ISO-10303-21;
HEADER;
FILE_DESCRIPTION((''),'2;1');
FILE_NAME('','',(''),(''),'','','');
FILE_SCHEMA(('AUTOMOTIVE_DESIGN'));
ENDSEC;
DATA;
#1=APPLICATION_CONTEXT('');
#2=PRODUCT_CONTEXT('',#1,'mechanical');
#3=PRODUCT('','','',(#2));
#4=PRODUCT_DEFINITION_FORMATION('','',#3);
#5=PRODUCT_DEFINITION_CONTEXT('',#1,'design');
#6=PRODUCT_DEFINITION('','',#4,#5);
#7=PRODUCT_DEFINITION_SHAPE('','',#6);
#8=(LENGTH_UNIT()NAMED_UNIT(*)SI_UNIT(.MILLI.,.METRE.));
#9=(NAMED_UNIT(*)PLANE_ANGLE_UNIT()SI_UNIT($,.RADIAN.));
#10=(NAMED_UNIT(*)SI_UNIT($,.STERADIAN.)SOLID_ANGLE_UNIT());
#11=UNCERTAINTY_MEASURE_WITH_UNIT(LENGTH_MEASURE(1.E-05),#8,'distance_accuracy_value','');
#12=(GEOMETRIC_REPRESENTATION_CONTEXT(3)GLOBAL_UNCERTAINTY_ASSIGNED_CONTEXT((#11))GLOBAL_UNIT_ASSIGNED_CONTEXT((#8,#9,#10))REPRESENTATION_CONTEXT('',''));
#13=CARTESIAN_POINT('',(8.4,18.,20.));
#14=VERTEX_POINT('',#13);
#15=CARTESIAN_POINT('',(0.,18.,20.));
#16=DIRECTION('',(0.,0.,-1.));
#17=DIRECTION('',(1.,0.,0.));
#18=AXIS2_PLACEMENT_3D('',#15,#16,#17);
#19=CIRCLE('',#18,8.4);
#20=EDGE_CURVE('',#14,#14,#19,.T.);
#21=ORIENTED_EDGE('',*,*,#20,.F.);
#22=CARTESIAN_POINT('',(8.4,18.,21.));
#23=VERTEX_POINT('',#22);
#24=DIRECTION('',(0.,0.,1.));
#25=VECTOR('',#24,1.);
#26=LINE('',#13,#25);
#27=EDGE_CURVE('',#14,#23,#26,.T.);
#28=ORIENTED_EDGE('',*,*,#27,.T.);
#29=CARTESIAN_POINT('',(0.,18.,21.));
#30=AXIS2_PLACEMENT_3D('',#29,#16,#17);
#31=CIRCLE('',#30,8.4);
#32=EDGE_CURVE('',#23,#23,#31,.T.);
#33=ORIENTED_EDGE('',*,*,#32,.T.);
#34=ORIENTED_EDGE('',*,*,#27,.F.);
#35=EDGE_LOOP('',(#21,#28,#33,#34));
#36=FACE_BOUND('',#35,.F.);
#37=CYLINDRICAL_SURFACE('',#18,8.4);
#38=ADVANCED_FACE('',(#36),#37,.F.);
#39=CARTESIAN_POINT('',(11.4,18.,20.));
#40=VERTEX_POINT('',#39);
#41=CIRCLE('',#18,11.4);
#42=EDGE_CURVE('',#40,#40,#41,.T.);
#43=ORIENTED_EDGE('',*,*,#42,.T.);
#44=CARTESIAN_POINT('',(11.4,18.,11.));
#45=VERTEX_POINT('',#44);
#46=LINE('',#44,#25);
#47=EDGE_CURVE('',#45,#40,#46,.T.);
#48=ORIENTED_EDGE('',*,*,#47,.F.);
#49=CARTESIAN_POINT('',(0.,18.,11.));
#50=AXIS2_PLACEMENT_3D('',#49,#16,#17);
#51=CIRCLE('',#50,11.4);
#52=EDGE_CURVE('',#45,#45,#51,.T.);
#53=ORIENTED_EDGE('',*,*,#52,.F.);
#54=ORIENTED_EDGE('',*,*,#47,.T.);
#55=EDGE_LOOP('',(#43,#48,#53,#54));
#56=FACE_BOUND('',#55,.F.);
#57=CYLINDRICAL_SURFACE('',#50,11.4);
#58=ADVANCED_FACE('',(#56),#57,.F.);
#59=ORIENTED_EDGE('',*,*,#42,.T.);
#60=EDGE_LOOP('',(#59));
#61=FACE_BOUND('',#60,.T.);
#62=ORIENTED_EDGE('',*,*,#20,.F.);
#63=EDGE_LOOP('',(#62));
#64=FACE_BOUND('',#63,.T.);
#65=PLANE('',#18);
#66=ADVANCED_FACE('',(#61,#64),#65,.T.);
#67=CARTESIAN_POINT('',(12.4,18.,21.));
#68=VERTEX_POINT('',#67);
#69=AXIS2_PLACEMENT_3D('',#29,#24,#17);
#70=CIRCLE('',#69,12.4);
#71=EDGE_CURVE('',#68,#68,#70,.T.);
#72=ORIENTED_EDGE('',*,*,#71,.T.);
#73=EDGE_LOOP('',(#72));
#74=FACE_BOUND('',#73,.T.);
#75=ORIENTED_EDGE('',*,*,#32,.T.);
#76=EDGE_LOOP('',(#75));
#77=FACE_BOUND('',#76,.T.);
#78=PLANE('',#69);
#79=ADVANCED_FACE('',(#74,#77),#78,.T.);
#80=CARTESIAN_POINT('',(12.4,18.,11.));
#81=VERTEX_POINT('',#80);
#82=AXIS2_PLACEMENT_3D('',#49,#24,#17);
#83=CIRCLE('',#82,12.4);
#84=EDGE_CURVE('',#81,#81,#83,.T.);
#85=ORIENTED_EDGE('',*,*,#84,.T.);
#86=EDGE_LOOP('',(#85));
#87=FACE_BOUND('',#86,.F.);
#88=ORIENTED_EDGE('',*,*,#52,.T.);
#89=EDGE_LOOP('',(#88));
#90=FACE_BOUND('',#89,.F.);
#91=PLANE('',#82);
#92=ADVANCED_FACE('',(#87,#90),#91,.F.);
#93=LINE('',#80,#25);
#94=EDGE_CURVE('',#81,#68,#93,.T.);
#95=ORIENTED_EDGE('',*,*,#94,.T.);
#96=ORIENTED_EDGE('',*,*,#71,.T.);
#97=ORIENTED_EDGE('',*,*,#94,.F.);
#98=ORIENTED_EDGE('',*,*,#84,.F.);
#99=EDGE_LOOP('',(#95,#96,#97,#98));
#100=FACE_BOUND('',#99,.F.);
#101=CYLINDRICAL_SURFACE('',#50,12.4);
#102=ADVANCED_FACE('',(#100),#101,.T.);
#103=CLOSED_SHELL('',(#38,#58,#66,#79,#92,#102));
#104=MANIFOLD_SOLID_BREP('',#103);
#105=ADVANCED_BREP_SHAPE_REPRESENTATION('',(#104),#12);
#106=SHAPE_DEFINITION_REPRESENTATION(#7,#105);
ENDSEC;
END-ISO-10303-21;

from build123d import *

# Parameters (mm, degrees)
SKETCH032_R     = 12.4
PAD022_DEPTH    = 10
SKETCH033_R     = 11.4
POCKET009_DEPTH = 9
SKETCH034_R     = 8.4
POCKET010_DEPTH = 5


with BuildPart() as part:
    # Sketch032 → Pad022 (new body)
    with BuildSketch(Plane.XY):
        with Locations((0, 18)):
            Circle(SKETCH032_R)
    extrude(amount=PAD022_DEPTH)

    # Sketch033 (on Face2 of Pad022) → Pocket009 (cut)
    with BuildSketch(Plane(origin=(0, 0, 0), x_dir=(1, 0, 0), z_dir=(0, 0, -1))):
        with Locations((0, -18)):
            Circle(SKETCH033_R)
    extrude(amount=-POCKET009_DEPTH, mode=Mode.SUBTRACT)

    # Sketch034 (on Face5 of Pocket009) → Pocket010 (cut)
    with BuildSketch(Plane(origin=(0, 0, 9), x_dir=(1, 0, 0), z_dir=(0, 0, -1))):
        with Locations((0, -18)):
            Circle(SKETCH034_R)
    extrude(amount=-POCKET010_DEPTH, mode=Mode.SUBTRACT)


with BuildPart() as part_1:
    # Body039 placement: moved
    add(part.part.moved(Location((0, 0, 11))))


solid = part_1.part
